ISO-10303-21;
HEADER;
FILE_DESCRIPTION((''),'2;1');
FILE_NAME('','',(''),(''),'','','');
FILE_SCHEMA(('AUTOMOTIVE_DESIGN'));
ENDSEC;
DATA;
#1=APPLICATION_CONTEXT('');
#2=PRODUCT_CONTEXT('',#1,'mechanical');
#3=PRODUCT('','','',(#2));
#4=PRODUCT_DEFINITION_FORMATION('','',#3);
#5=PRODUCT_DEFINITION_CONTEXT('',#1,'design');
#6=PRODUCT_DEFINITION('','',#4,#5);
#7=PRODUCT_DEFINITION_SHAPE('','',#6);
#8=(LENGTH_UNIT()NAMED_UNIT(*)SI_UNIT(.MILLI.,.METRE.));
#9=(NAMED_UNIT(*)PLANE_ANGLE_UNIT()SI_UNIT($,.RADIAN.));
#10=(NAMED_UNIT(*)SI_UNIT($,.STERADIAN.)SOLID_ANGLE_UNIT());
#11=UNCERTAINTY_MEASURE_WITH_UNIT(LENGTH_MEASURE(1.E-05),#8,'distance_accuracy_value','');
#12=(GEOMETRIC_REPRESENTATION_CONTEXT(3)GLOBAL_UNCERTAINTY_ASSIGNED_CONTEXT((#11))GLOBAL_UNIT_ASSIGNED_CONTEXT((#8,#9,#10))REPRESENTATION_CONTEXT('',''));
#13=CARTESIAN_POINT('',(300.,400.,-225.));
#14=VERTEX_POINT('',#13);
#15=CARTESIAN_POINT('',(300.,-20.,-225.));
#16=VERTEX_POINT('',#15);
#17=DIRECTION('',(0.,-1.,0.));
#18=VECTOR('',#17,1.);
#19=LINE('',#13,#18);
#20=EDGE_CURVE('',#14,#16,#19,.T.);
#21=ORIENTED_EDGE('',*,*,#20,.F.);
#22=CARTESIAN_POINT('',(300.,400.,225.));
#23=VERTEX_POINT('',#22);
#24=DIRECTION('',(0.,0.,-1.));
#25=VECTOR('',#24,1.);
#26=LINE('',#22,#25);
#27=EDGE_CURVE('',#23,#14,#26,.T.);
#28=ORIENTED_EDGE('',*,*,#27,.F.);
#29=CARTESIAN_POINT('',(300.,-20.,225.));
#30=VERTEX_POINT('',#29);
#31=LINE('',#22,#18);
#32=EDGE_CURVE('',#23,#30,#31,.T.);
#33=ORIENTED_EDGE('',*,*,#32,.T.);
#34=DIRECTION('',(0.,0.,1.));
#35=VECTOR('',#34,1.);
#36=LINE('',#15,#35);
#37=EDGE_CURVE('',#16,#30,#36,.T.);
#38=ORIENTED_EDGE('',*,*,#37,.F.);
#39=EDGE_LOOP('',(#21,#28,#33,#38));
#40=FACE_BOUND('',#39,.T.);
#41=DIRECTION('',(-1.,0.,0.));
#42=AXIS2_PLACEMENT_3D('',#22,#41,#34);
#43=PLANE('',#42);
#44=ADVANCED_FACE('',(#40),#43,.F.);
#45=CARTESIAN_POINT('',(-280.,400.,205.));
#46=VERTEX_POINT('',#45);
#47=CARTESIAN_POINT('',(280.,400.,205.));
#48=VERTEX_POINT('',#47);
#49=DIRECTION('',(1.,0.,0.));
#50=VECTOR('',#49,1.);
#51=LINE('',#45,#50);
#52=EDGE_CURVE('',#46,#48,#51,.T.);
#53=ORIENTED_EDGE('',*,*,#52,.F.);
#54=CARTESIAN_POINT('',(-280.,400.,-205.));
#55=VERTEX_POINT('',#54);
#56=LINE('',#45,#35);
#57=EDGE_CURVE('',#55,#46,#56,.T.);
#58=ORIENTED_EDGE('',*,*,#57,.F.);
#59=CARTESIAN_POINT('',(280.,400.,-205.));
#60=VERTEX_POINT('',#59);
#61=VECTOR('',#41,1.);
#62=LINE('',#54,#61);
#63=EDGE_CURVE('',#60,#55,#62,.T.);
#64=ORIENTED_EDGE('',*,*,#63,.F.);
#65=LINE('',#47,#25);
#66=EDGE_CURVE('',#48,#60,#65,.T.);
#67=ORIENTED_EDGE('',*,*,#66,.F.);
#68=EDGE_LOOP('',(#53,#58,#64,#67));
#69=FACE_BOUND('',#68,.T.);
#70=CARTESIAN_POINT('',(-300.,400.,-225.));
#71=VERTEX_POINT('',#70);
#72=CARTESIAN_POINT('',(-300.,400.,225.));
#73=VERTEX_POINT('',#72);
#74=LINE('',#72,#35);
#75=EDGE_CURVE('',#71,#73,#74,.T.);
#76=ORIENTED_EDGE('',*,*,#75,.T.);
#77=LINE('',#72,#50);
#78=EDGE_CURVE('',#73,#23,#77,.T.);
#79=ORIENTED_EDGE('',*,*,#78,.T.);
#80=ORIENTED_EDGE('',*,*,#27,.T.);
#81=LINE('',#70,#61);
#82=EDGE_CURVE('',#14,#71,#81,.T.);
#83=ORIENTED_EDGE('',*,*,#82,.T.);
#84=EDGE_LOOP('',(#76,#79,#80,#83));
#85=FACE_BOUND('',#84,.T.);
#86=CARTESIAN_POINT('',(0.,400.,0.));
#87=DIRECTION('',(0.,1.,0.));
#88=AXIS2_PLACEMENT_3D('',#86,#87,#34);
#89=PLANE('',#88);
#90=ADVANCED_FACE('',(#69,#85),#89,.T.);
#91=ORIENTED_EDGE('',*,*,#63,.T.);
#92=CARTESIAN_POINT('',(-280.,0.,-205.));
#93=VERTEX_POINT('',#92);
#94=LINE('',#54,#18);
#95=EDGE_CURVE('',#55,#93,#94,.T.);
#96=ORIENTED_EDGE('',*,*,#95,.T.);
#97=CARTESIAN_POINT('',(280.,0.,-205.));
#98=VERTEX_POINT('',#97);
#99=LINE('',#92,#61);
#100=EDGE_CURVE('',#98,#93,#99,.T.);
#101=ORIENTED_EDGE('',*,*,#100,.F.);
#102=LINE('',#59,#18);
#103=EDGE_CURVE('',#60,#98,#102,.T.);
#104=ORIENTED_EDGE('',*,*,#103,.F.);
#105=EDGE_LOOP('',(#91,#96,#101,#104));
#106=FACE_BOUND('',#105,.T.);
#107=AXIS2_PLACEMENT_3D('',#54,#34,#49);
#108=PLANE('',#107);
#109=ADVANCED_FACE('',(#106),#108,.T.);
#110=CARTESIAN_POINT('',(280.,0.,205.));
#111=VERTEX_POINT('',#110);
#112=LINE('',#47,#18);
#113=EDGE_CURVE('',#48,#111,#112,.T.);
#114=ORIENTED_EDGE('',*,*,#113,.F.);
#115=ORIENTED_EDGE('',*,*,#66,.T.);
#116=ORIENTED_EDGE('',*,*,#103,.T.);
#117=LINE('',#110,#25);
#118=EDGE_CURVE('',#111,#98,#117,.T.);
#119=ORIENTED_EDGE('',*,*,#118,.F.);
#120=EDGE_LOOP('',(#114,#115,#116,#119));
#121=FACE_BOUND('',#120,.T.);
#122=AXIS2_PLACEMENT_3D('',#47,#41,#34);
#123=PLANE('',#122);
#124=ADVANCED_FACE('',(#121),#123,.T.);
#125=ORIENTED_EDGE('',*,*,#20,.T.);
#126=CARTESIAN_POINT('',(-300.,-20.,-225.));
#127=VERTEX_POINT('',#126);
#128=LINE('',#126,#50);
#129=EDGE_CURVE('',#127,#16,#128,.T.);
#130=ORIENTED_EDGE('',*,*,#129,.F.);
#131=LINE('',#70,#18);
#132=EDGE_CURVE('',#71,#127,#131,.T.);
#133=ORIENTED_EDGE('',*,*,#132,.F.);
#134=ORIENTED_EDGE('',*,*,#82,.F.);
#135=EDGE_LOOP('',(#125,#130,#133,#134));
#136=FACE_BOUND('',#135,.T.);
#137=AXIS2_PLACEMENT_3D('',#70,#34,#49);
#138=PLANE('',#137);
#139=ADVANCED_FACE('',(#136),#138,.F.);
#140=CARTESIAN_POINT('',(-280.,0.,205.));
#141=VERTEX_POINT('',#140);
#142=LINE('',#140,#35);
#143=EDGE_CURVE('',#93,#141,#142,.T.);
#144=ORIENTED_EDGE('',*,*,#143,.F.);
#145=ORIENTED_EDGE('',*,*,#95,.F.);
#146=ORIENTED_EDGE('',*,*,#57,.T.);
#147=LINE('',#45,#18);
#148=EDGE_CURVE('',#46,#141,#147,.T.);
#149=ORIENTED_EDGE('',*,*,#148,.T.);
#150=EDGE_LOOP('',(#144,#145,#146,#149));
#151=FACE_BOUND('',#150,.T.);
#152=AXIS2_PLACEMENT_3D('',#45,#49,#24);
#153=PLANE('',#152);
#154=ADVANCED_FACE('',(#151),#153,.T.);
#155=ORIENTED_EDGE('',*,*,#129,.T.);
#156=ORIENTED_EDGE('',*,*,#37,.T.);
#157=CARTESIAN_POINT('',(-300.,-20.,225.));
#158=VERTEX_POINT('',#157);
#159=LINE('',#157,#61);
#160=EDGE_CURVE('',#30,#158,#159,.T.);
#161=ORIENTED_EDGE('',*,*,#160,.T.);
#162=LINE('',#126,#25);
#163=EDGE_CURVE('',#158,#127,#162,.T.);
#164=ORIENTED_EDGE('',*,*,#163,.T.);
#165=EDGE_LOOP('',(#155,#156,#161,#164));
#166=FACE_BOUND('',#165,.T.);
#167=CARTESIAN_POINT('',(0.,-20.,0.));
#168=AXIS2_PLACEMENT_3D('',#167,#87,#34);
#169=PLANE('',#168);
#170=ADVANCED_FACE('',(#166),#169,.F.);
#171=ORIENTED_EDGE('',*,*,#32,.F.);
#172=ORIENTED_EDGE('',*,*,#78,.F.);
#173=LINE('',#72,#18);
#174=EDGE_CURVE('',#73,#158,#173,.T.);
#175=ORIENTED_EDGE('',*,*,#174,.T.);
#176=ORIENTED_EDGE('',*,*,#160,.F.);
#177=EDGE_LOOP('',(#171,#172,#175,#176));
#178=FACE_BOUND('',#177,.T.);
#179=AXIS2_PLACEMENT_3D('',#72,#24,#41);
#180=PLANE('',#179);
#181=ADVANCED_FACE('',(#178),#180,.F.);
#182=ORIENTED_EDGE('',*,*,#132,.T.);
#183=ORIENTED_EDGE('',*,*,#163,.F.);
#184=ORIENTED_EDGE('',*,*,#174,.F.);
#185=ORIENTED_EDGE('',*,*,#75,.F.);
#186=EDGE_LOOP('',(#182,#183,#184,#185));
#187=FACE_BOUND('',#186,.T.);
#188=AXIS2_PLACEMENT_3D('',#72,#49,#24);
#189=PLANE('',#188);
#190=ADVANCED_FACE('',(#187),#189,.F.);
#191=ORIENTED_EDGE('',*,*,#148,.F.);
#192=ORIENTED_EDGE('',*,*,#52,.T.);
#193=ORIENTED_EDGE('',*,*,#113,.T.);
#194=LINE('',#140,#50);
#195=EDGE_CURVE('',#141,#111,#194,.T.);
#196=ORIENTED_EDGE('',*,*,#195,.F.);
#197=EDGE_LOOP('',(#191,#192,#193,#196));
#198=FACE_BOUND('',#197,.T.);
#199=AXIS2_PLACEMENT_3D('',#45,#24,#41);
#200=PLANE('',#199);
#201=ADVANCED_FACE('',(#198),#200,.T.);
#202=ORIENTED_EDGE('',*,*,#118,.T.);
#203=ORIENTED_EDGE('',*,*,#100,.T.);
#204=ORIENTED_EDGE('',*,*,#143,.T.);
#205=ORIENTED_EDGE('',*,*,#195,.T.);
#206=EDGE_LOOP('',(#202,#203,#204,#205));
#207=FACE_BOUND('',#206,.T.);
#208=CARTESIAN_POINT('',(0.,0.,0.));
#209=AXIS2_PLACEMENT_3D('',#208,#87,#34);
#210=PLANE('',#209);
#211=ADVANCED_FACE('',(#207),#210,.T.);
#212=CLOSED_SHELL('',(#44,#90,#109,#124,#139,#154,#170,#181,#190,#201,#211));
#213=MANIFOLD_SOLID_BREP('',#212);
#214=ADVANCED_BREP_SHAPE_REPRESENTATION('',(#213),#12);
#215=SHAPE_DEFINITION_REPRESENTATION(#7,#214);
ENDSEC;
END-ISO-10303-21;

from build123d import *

# Parameters (mm, degrees)
SKETCH1_W           = 600
SKETCH1_H           = 450
SKETCH1_W_2         = 560
SKETCH1_H_2         = 410
BOSS_EXTRUDE1_DEPTH = 400
SKETCH2_W           = 600
SKETCH2_H           = 450
BOSS_EXTRUDE2_DEPTH = 20


with BuildPart() as part:
    # Sketch1 → Boss-Extrude1 (new body)
    with BuildSketch(Plane(origin=(0, 0, 0), x_dir=(1, 0, 0), z_dir=(0, 1, 0))):
        Rectangle(SKETCH1_W, SKETCH1_H)
        Rectangle(SKETCH1_W_2, SKETCH1_H_2, mode=Mode.SUBTRACT)
    extrude(amount=BOSS_EXTRUDE1_DEPTH)

    # Sketch2 → Boss-Extrude2 (add)
    with BuildSketch(Plane.XZ):
        Rectangle(SKETCH2_W, SKETCH2_H)
    extrude(amount=BOSS_EXTRUDE2_DEPTH)


solid = part.part
